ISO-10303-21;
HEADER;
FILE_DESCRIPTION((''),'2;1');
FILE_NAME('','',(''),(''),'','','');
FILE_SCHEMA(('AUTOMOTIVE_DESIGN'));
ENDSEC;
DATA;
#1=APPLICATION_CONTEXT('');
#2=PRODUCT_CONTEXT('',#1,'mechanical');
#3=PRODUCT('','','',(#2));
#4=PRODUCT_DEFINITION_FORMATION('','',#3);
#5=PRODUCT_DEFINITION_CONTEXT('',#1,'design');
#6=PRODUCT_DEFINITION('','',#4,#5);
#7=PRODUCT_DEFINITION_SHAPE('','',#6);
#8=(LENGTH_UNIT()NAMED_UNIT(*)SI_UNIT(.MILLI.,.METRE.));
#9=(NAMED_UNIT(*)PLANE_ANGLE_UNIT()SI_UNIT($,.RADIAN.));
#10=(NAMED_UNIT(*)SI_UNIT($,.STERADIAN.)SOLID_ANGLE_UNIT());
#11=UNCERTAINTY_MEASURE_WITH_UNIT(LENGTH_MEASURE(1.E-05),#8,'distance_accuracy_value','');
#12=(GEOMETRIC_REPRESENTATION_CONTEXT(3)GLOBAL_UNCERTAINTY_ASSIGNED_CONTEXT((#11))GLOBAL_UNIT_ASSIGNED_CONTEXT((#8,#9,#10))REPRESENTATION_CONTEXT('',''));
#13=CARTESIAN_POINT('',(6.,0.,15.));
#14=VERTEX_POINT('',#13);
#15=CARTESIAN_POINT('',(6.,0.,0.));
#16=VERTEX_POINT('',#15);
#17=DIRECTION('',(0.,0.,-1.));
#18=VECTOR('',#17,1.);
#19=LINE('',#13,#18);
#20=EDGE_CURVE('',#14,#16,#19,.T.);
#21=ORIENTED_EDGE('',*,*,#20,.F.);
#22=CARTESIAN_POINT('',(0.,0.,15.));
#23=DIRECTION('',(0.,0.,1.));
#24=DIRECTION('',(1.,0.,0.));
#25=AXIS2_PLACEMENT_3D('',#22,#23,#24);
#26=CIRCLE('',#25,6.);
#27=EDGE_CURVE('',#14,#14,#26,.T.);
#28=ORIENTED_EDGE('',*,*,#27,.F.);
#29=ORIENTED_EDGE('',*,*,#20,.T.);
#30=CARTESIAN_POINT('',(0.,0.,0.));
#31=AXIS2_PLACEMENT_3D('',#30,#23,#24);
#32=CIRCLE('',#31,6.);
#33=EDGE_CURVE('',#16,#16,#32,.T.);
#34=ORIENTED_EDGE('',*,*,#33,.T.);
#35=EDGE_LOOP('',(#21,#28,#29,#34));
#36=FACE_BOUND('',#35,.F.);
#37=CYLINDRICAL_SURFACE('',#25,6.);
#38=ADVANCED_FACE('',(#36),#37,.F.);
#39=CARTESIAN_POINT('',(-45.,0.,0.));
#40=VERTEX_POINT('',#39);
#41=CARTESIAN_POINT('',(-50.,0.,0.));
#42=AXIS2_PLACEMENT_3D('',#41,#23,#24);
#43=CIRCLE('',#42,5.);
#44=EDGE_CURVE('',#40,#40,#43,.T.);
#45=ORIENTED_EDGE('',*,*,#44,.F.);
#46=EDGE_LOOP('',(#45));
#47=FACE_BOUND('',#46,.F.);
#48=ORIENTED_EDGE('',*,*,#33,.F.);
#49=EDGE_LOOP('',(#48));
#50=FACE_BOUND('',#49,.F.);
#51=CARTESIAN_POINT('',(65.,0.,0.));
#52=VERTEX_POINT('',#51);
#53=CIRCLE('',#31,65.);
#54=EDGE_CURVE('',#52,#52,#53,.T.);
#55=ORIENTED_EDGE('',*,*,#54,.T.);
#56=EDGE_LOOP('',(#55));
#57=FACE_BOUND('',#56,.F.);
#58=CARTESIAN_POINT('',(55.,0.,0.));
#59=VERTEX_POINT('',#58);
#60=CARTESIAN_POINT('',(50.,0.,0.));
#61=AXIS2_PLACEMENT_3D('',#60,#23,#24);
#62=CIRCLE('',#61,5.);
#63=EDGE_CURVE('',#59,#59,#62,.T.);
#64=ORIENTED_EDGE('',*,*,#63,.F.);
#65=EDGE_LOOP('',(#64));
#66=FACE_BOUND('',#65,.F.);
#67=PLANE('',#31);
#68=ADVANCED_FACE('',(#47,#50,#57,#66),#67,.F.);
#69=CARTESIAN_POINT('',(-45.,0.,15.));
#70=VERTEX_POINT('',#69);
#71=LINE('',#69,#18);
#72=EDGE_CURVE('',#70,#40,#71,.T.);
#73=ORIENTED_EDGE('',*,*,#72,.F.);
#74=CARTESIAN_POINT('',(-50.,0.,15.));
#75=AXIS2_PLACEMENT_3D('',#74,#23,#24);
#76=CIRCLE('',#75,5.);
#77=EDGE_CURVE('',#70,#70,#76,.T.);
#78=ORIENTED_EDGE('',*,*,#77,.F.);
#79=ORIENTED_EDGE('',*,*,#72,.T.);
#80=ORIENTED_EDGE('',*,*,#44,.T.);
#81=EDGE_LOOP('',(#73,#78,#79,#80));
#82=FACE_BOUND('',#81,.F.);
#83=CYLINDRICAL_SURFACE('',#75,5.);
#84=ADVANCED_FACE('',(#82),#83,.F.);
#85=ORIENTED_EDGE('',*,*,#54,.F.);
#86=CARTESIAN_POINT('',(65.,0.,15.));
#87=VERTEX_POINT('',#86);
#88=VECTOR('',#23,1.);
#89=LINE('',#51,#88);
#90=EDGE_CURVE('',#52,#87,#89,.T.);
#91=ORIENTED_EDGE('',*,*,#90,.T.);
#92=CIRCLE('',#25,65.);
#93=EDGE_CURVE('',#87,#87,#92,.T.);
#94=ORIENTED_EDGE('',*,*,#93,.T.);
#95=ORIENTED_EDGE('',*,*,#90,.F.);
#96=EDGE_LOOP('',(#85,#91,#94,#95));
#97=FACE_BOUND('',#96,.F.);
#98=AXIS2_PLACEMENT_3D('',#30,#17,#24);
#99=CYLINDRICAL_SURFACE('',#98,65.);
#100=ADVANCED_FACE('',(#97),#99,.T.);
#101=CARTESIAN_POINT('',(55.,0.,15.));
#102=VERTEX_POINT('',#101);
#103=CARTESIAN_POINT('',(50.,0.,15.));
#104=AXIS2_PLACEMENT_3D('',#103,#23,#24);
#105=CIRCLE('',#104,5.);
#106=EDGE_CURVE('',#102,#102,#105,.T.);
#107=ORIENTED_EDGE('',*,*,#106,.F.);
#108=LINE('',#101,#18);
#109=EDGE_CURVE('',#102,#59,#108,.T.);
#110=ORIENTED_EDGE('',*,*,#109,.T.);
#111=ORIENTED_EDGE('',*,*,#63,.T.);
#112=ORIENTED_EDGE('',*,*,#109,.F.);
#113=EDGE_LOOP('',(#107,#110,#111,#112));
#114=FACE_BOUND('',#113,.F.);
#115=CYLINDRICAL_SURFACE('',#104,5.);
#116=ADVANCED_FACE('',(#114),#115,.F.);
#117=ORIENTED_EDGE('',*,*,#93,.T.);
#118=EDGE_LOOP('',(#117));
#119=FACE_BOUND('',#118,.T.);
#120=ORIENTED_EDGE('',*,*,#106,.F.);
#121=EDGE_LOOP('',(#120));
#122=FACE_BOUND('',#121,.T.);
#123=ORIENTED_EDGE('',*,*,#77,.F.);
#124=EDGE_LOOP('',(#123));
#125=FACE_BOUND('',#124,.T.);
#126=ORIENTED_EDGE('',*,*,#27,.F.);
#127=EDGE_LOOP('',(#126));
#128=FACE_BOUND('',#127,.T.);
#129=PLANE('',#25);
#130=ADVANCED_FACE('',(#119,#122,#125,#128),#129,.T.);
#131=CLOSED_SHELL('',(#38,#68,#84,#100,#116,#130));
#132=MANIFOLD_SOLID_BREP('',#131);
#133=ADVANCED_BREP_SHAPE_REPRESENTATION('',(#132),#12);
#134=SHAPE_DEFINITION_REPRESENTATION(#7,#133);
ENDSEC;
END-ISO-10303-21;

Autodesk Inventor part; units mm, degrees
ref_plane "YZ Plane" through (0, 0, 0) normal (1, 0, 0) x (0, 1, 0)
ref_plane "XZ Plane" through (0, 0, 0) normal (0, 1, 0) x (-1, 0, 0)
ref_plane "XY Plane" through (0, 0, 0) normal (0, 0, 1) x (1, 0, 0)
sketch "Sketch1" plane through (0, 0, 0) normal (0, 0, 1) x (1, 0, 0)
  circle A0 centre (0, 0) radius 65
  circle A1 centre (0, 0) radius 6
  dimension "d0" = 130
  dimension "d3" = 12
extrude "Extrusion1" add sketch "Sketch1" along normal blind 15 contours A0 | A1
sketch "Sketch2" plane through (0, 0, 15) normal (0, 0, 1) x (1, 0, 0)
  circle A0 centre (0, 0) radius 6
  dimension "d4" = 12
extrude "Extrusion2" cut sketch "Sketch2" against normal blind 15
sketch "Sketch3" plane through (0, 0, 15) normal (0, 0, 1) x (1, 0, 0)
  circle A0 centre (50, 0) radius 5
  circle A1 centre (-50, 0) radius 5
  point P0 (0, 0)
  dimension "d7" = 10
  dimension "d8" = 10
extrude "Extrusion3" cut sketch "Sketch3" against normal blind 15
properties part number "doner_taban"
